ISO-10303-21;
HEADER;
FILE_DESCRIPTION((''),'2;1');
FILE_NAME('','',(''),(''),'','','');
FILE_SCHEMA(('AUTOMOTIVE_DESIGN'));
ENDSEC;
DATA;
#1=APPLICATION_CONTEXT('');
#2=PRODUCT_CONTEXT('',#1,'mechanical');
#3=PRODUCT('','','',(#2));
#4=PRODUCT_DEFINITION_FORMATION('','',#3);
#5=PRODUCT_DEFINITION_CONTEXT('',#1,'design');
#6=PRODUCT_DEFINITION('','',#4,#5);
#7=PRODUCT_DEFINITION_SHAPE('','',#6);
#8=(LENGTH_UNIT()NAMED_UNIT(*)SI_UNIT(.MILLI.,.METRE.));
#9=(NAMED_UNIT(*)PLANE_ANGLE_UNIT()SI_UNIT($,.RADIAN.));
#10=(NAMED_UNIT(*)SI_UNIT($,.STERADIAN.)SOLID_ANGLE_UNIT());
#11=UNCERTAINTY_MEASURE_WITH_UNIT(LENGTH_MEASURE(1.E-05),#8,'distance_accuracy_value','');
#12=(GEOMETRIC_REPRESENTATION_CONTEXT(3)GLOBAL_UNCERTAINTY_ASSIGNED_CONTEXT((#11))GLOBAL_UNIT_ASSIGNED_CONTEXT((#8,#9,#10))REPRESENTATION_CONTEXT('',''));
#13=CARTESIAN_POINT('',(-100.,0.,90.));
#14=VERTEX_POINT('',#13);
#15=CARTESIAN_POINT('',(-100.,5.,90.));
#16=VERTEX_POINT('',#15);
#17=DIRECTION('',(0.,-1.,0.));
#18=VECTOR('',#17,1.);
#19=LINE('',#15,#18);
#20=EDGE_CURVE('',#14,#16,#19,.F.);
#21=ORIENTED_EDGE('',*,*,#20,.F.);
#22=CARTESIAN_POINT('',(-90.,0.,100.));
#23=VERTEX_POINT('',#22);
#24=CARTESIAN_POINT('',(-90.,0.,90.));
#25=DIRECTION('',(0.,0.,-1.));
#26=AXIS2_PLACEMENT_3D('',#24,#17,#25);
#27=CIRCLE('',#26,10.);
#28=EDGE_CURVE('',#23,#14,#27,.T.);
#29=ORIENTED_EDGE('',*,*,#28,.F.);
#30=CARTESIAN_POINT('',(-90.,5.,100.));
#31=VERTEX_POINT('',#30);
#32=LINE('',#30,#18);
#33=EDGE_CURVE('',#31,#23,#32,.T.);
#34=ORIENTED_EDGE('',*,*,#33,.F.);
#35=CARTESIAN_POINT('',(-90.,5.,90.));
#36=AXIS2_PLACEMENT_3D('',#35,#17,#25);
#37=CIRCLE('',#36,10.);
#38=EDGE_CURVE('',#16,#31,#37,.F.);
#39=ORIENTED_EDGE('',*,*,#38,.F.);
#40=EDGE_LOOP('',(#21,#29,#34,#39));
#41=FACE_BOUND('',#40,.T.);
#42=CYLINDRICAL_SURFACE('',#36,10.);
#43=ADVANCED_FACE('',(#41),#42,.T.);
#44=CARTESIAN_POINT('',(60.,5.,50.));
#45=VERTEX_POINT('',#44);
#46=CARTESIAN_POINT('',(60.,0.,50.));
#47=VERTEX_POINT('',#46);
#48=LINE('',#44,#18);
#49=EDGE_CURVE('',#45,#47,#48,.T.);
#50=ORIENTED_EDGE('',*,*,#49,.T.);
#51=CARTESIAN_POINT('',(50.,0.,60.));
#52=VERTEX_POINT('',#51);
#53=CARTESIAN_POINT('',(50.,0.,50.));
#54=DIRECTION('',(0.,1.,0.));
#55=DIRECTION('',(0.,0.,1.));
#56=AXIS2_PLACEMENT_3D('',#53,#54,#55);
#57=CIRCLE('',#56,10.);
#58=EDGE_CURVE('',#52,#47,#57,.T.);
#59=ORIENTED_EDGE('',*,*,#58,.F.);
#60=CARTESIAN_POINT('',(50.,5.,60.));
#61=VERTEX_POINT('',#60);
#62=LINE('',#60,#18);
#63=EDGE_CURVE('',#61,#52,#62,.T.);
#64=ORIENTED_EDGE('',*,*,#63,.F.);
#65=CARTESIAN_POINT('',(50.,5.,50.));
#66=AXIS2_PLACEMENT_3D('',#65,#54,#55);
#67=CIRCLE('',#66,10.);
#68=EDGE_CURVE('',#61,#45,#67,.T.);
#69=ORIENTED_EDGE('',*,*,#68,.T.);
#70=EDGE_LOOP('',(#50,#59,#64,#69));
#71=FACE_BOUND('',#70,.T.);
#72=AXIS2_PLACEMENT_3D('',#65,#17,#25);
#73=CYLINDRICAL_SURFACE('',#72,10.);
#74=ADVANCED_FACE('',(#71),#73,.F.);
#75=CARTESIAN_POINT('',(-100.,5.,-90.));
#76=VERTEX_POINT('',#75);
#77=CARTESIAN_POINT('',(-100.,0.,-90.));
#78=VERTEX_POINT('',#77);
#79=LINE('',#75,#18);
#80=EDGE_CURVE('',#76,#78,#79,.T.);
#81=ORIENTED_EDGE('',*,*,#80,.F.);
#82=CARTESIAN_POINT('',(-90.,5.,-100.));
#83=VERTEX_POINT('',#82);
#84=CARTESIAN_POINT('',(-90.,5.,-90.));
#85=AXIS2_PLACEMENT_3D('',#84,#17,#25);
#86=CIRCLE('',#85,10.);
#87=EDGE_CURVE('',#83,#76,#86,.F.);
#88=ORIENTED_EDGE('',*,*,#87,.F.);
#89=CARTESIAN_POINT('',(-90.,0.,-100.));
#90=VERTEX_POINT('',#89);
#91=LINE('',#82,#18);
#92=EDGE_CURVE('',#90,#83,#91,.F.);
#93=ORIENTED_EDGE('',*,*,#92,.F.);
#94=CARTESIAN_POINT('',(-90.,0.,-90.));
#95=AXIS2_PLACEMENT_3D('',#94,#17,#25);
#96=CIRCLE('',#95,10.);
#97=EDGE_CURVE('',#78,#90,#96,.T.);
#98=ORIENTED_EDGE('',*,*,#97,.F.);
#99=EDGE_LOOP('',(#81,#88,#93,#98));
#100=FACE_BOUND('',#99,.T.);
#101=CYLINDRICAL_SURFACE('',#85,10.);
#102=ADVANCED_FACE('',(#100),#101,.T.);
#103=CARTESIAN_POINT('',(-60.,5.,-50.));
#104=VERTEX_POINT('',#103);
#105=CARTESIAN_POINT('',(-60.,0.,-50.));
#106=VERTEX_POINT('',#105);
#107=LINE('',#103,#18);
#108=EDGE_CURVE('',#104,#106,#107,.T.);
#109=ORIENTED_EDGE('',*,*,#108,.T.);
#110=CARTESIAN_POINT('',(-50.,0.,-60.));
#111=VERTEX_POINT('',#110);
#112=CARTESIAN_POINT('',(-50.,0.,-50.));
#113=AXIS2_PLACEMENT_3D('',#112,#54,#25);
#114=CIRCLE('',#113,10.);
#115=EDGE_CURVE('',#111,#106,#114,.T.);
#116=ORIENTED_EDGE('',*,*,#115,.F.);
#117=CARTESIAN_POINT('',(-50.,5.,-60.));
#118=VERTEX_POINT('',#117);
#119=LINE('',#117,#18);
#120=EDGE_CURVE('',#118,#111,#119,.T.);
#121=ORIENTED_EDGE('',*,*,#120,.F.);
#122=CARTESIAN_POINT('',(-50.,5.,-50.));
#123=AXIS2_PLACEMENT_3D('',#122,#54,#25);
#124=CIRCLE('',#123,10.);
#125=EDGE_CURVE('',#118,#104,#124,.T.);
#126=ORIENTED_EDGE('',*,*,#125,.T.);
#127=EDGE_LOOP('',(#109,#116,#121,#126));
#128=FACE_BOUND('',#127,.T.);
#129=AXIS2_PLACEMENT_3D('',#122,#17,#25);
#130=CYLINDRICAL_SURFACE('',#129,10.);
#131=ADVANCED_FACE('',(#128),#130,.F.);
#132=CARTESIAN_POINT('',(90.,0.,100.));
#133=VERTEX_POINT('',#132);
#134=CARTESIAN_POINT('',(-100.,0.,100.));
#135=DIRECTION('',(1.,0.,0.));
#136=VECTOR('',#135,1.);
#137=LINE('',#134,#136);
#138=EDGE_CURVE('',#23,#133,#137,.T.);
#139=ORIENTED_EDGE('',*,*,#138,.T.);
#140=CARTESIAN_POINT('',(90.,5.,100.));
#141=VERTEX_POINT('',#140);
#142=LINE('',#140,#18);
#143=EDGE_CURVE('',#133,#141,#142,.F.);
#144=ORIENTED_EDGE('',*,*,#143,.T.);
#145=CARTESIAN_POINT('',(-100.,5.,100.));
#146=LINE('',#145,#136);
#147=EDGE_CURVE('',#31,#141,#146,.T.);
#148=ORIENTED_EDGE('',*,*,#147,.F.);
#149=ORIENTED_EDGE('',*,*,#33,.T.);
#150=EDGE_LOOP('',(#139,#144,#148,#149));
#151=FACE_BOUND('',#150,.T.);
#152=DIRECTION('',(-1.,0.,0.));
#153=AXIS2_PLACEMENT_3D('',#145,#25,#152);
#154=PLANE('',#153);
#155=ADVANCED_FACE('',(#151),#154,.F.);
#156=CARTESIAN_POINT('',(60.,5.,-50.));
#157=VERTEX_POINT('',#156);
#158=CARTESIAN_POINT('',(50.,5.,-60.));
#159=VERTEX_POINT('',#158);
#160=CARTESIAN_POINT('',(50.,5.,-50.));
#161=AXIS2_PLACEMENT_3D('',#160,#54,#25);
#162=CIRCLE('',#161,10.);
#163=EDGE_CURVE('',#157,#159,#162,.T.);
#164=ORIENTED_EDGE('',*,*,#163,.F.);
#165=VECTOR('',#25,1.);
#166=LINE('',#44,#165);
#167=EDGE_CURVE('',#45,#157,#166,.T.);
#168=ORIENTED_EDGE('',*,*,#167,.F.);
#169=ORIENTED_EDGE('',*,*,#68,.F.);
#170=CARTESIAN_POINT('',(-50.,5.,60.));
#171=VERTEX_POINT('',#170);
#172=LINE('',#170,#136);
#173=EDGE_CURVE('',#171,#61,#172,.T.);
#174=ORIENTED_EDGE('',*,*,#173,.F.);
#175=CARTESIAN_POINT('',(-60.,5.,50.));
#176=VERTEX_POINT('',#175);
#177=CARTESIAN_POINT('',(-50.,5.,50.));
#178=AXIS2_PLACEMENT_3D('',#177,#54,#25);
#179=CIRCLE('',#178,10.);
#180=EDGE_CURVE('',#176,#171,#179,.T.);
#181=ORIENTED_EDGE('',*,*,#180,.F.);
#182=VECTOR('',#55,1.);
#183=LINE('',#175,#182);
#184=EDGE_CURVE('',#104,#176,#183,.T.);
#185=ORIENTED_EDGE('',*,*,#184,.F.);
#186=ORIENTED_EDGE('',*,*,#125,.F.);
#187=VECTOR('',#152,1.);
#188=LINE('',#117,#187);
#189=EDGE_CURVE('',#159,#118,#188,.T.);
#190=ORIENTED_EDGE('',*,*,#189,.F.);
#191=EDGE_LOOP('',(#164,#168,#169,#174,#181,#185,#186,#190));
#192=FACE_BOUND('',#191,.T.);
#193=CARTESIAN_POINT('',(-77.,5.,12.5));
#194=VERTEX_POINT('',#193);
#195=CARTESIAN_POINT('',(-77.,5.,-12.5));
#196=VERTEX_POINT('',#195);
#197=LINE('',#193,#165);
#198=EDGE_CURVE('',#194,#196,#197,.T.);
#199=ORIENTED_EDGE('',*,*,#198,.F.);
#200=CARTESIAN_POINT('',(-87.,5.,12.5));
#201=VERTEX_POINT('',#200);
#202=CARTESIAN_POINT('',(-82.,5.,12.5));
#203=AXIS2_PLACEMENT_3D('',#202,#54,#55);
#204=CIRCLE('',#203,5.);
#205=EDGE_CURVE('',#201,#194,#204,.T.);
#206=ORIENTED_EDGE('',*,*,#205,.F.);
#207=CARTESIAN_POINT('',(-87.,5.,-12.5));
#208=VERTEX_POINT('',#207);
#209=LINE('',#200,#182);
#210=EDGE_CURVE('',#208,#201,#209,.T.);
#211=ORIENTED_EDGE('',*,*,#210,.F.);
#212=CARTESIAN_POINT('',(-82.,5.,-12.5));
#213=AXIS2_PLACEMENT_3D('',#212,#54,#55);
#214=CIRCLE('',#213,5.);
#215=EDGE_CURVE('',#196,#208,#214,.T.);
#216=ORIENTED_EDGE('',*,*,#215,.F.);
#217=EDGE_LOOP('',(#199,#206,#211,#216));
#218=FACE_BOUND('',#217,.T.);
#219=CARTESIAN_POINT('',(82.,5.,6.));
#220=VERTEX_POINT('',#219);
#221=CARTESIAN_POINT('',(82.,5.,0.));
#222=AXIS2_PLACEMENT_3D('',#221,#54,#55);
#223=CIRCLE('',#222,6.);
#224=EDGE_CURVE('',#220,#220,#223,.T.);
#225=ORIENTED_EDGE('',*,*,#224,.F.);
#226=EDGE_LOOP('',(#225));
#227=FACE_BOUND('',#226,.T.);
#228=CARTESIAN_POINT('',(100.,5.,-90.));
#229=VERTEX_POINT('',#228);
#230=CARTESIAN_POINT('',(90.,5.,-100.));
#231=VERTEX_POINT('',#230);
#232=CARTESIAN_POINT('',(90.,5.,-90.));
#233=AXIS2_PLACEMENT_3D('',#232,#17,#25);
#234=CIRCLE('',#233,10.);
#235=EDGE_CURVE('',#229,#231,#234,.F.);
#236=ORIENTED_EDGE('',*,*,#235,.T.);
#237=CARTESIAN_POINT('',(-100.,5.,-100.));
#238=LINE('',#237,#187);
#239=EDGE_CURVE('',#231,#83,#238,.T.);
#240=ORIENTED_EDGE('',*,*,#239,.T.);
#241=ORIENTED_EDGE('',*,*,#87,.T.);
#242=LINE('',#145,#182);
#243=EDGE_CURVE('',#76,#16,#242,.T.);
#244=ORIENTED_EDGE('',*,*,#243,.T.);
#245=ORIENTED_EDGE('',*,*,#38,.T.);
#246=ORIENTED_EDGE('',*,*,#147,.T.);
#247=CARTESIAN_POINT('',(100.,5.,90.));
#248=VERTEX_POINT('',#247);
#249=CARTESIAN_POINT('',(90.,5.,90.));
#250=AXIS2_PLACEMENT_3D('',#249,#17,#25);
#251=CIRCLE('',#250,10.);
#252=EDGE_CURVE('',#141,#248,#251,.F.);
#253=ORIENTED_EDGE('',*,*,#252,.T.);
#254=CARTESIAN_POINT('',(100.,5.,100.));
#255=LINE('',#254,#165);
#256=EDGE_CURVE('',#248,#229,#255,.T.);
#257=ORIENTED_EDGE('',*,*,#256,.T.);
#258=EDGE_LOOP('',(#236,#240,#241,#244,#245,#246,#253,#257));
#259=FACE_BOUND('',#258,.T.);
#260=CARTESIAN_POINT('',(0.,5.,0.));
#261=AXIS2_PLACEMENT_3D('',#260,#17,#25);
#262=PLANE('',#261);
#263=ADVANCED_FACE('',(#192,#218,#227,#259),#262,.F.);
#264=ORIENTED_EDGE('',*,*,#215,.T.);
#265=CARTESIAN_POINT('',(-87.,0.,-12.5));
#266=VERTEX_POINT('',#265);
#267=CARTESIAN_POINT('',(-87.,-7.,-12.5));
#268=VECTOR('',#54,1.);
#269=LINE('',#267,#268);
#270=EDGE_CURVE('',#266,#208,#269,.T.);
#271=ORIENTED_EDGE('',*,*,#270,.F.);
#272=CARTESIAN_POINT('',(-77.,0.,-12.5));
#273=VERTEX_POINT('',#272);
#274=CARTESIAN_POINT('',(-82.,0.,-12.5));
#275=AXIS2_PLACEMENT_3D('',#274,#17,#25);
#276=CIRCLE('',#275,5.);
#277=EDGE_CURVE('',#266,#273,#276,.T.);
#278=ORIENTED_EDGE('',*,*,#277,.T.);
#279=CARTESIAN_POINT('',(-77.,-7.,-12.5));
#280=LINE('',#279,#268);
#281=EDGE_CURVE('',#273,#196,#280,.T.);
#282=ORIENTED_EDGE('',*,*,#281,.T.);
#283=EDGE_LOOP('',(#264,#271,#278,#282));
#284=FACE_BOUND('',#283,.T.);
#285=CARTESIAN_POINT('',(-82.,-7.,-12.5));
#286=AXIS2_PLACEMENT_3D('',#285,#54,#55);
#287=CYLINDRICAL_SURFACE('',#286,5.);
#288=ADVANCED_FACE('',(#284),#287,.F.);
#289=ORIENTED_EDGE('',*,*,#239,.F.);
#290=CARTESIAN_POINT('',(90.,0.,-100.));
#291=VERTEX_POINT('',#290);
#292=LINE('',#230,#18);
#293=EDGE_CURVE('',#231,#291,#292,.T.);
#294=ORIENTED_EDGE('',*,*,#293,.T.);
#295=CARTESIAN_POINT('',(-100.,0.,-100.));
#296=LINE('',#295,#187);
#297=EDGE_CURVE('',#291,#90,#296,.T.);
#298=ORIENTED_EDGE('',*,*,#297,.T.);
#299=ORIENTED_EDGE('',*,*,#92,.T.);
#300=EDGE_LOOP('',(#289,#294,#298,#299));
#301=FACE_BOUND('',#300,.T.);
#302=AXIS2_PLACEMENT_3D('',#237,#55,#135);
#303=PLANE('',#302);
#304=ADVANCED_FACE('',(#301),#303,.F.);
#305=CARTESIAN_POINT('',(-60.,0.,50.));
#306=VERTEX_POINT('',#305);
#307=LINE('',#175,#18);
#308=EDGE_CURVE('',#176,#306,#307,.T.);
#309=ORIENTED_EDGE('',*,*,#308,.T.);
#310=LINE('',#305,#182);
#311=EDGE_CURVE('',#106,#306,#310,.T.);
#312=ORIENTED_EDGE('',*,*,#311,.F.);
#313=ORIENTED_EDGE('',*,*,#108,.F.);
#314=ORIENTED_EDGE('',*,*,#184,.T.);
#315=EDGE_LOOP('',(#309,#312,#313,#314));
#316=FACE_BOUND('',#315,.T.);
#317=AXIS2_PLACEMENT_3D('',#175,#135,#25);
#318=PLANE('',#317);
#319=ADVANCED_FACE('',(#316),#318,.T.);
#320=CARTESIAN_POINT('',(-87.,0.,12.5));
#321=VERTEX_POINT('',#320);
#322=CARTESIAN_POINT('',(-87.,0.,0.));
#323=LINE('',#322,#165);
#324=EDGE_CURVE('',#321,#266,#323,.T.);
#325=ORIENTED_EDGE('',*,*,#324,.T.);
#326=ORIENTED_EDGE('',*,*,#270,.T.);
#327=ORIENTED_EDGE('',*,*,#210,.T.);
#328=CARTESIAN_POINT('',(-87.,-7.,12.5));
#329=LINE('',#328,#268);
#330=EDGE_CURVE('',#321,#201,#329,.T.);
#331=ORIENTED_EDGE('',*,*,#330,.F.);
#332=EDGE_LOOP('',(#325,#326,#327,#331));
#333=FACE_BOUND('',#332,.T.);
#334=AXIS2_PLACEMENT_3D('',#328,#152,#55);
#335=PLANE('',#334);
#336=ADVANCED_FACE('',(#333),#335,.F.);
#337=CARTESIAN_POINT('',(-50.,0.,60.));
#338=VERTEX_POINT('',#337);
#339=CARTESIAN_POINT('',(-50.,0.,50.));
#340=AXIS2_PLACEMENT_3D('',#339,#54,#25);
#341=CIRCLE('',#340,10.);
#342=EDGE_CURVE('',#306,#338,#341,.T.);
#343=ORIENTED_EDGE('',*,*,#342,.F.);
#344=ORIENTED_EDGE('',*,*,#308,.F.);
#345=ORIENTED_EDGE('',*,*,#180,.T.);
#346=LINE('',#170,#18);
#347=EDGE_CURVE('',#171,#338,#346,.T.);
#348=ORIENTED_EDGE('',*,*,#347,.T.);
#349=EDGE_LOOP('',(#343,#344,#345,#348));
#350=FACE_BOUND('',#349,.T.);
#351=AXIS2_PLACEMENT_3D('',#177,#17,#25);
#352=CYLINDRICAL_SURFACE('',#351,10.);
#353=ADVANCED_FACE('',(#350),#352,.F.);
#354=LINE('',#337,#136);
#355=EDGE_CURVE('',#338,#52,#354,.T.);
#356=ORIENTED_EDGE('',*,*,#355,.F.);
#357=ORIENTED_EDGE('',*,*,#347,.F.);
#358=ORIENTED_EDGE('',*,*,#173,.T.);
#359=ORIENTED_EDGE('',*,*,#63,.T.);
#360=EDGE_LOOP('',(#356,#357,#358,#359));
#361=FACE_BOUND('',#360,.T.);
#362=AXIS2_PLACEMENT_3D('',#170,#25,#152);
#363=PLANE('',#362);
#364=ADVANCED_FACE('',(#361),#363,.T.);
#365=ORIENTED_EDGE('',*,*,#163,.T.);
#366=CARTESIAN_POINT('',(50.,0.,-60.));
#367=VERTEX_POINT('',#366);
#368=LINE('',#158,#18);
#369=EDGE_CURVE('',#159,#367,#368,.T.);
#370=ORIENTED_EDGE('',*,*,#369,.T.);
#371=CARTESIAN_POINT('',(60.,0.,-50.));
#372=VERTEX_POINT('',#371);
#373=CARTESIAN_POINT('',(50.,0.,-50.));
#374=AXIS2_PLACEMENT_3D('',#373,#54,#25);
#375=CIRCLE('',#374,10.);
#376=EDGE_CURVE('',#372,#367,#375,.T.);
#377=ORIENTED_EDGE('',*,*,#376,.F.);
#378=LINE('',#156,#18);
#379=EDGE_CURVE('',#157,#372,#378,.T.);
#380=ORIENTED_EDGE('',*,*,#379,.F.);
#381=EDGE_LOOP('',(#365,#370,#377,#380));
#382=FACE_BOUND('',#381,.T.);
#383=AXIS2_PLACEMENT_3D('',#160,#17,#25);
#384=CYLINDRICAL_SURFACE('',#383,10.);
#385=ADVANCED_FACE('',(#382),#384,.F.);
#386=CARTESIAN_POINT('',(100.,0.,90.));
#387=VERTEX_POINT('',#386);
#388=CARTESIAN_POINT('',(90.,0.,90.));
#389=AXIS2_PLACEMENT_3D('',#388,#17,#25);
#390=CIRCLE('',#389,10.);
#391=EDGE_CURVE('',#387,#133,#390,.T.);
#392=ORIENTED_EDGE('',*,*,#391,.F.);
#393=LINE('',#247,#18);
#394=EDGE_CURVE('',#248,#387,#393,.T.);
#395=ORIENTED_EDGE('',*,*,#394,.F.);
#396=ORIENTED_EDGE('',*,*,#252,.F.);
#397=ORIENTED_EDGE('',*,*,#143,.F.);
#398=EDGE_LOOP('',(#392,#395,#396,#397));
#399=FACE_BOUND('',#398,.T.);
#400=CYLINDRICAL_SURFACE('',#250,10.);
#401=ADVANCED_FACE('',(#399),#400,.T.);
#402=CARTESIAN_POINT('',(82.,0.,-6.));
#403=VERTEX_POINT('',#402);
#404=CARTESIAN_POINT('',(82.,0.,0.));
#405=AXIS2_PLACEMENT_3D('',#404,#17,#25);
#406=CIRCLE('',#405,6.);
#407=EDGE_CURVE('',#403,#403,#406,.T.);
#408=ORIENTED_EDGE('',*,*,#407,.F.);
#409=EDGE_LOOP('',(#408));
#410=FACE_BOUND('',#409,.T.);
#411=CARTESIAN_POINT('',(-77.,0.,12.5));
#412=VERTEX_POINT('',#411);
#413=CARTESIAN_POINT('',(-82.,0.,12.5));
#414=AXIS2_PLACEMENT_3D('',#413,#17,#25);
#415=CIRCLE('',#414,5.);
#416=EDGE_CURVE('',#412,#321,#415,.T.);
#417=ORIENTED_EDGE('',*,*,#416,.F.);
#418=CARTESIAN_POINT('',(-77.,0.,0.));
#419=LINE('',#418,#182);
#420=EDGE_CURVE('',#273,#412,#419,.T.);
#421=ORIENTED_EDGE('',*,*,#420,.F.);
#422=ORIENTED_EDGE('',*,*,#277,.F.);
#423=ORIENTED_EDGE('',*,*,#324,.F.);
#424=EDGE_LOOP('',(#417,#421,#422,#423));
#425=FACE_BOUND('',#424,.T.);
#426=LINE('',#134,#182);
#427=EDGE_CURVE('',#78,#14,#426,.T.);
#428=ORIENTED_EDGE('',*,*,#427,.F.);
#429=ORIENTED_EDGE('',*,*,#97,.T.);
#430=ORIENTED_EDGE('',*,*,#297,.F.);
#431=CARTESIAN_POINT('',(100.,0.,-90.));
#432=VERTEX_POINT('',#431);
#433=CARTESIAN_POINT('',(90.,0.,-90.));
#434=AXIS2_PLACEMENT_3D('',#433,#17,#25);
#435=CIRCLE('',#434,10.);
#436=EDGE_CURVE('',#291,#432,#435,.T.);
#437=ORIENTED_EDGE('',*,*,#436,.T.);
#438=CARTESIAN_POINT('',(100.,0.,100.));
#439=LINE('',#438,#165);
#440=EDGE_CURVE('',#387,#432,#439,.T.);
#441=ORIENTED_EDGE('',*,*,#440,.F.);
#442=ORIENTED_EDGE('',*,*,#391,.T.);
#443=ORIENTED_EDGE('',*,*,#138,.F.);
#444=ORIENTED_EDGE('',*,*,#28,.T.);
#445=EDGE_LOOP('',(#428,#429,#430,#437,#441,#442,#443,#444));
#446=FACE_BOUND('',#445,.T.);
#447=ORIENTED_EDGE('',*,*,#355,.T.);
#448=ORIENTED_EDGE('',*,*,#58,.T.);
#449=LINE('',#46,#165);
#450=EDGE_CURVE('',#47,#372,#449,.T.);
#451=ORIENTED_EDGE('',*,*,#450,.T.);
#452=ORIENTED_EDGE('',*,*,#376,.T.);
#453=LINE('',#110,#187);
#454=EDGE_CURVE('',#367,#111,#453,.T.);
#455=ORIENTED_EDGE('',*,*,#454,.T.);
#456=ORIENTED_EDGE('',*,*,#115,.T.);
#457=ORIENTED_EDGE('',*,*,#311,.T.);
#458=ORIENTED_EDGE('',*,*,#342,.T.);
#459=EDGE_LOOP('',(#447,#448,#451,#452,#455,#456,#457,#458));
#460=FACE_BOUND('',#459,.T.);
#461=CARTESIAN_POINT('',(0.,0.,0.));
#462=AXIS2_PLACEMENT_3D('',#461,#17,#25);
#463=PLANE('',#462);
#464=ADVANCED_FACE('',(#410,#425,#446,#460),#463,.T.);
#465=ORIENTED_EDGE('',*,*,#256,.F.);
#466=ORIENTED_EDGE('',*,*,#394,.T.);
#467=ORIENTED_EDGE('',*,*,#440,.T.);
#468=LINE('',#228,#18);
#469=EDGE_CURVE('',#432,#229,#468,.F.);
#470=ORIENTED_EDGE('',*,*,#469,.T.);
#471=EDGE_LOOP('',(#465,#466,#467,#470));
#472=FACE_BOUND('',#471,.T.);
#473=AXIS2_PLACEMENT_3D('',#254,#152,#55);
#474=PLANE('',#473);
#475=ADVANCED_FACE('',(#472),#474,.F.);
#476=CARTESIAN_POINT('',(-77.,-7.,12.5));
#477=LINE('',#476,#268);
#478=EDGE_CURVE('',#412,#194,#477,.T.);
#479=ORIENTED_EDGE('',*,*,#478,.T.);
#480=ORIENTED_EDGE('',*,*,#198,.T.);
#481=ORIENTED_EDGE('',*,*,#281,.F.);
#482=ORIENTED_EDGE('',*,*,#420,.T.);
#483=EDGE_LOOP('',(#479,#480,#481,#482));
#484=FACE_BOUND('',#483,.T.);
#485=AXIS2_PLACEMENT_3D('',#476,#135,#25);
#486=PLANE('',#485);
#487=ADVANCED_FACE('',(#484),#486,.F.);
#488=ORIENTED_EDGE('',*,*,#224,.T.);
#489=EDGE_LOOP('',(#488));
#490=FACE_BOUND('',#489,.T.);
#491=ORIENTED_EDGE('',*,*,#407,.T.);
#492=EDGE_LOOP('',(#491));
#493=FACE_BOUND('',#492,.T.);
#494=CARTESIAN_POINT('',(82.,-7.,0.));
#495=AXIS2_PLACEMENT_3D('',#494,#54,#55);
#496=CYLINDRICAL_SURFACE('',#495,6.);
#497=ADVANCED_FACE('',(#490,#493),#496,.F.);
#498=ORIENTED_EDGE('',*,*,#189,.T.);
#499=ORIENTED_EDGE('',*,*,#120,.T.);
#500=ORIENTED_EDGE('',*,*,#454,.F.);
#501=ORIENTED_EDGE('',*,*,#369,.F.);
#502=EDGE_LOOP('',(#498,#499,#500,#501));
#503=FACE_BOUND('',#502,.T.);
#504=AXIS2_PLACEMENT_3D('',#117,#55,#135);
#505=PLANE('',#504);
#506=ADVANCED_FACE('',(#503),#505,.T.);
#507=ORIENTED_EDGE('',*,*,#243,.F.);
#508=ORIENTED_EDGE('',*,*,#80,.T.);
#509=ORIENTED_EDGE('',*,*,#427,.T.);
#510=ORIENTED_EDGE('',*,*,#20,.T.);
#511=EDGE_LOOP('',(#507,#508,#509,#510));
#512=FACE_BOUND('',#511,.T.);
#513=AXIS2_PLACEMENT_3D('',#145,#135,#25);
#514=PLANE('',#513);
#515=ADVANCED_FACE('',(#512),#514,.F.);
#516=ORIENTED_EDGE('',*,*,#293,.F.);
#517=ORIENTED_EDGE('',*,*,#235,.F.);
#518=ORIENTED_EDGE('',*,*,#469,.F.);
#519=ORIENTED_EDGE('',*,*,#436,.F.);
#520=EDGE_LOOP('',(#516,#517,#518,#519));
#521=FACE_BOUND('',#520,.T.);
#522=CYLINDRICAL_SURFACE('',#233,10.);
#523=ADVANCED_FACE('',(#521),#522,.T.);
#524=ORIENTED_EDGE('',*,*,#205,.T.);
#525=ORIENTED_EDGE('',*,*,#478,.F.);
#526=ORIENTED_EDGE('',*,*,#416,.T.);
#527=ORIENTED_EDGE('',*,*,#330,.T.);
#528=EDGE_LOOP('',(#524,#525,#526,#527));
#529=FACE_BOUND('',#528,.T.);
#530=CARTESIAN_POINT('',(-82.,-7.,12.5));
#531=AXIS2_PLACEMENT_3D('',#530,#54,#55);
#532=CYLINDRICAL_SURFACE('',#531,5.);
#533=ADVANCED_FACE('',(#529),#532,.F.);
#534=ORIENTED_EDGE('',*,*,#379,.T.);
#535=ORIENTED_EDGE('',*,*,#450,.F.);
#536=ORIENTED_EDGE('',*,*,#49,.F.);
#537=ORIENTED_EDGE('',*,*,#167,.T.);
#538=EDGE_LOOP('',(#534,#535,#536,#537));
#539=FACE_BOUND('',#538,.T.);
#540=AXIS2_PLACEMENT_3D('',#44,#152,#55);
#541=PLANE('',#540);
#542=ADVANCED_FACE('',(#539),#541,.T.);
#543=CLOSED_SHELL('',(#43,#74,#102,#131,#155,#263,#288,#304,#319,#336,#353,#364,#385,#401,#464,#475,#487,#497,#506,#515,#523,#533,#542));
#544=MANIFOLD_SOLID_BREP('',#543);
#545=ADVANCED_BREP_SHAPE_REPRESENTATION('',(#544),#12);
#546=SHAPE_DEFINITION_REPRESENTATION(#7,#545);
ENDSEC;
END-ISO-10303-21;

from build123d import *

# Parameters (mm, degrees)
SKETCH1_W           = 200
SKETCH1_H           = 200
BOSS_EXTRUDE1_DEPTH = 5
SKETCH2_R           = 6
CUT_EXTRUDE1_DEPTH  = 12
REDONDEO1_R         = 10


with BuildPart() as part:
    # Sketch1 → Boss-Extrude1 (new body)
    with BuildSketch(Plane(origin=(0, 0, 0), x_dir=(1, 0, 0), z_dir=(0, 1, 0))):
        Rectangle(SKETCH1_W, SKETCH1_H)
        with BuildLine():
            Line((-50, -60), (50, -60))
            ThreePointArc((50, -60), (57.071067812, -57.071067812), (60, -50))
            Line((60, -50), (60, 50))
            ThreePointArc((60, 50), (57.071067812, 57.071067812), (50, 60))
            Line((50, 60), (-50, 60))
            ThreePointArc((-50, 60), (-57.071067812, 57.071067812), (-60, 50))
            Line((-60, 50), (-60, -50))
            ThreePointArc((-60, -50), (-57.071067812, -57.071067812), (-50, -60))
        make_face(mode=Mode.SUBTRACT)
    extrude(amount=BOSS_EXTRUDE1_DEPTH)

    # Sketch2 → Cut-Extrude1 (cut)
    with BuildSketch(Plane(origin=(0, 5, 0), x_dir=(1, 0, 0), z_dir=(0, 1, 0))):
        with Locations(Location((82, 0, 0), (0, 0, 270))):
            Circle(SKETCH2_R)
        with BuildLine():
            Line((-87, -12.5), (-87, 12.5))
            ThreePointArc((-87, 12.5), (-82, 17.5), (-77, 12.5))
            Line((-77, 12.5), (-77, -12.5))
            ThreePointArc((-77, -12.5), (-82, -17.5), (-87, -12.5))
        make_face()
    extrude(amount=-CUT_EXTRUDE1_DEPTH, mode=Mode.SUBTRACT)

    # Redondeo1
    redondeo1_edges = [part.edges().sort_by_distance(p)[0] for p in [
        (100, 2.5, 100),
        (-100, 2.5, 100),
        (-100, 2.5, -100),
        (100, 2.5, -100),
    ]]
    fillet(redondeo1_edges, radius=REDONDEO1_R)


solid = part.part
